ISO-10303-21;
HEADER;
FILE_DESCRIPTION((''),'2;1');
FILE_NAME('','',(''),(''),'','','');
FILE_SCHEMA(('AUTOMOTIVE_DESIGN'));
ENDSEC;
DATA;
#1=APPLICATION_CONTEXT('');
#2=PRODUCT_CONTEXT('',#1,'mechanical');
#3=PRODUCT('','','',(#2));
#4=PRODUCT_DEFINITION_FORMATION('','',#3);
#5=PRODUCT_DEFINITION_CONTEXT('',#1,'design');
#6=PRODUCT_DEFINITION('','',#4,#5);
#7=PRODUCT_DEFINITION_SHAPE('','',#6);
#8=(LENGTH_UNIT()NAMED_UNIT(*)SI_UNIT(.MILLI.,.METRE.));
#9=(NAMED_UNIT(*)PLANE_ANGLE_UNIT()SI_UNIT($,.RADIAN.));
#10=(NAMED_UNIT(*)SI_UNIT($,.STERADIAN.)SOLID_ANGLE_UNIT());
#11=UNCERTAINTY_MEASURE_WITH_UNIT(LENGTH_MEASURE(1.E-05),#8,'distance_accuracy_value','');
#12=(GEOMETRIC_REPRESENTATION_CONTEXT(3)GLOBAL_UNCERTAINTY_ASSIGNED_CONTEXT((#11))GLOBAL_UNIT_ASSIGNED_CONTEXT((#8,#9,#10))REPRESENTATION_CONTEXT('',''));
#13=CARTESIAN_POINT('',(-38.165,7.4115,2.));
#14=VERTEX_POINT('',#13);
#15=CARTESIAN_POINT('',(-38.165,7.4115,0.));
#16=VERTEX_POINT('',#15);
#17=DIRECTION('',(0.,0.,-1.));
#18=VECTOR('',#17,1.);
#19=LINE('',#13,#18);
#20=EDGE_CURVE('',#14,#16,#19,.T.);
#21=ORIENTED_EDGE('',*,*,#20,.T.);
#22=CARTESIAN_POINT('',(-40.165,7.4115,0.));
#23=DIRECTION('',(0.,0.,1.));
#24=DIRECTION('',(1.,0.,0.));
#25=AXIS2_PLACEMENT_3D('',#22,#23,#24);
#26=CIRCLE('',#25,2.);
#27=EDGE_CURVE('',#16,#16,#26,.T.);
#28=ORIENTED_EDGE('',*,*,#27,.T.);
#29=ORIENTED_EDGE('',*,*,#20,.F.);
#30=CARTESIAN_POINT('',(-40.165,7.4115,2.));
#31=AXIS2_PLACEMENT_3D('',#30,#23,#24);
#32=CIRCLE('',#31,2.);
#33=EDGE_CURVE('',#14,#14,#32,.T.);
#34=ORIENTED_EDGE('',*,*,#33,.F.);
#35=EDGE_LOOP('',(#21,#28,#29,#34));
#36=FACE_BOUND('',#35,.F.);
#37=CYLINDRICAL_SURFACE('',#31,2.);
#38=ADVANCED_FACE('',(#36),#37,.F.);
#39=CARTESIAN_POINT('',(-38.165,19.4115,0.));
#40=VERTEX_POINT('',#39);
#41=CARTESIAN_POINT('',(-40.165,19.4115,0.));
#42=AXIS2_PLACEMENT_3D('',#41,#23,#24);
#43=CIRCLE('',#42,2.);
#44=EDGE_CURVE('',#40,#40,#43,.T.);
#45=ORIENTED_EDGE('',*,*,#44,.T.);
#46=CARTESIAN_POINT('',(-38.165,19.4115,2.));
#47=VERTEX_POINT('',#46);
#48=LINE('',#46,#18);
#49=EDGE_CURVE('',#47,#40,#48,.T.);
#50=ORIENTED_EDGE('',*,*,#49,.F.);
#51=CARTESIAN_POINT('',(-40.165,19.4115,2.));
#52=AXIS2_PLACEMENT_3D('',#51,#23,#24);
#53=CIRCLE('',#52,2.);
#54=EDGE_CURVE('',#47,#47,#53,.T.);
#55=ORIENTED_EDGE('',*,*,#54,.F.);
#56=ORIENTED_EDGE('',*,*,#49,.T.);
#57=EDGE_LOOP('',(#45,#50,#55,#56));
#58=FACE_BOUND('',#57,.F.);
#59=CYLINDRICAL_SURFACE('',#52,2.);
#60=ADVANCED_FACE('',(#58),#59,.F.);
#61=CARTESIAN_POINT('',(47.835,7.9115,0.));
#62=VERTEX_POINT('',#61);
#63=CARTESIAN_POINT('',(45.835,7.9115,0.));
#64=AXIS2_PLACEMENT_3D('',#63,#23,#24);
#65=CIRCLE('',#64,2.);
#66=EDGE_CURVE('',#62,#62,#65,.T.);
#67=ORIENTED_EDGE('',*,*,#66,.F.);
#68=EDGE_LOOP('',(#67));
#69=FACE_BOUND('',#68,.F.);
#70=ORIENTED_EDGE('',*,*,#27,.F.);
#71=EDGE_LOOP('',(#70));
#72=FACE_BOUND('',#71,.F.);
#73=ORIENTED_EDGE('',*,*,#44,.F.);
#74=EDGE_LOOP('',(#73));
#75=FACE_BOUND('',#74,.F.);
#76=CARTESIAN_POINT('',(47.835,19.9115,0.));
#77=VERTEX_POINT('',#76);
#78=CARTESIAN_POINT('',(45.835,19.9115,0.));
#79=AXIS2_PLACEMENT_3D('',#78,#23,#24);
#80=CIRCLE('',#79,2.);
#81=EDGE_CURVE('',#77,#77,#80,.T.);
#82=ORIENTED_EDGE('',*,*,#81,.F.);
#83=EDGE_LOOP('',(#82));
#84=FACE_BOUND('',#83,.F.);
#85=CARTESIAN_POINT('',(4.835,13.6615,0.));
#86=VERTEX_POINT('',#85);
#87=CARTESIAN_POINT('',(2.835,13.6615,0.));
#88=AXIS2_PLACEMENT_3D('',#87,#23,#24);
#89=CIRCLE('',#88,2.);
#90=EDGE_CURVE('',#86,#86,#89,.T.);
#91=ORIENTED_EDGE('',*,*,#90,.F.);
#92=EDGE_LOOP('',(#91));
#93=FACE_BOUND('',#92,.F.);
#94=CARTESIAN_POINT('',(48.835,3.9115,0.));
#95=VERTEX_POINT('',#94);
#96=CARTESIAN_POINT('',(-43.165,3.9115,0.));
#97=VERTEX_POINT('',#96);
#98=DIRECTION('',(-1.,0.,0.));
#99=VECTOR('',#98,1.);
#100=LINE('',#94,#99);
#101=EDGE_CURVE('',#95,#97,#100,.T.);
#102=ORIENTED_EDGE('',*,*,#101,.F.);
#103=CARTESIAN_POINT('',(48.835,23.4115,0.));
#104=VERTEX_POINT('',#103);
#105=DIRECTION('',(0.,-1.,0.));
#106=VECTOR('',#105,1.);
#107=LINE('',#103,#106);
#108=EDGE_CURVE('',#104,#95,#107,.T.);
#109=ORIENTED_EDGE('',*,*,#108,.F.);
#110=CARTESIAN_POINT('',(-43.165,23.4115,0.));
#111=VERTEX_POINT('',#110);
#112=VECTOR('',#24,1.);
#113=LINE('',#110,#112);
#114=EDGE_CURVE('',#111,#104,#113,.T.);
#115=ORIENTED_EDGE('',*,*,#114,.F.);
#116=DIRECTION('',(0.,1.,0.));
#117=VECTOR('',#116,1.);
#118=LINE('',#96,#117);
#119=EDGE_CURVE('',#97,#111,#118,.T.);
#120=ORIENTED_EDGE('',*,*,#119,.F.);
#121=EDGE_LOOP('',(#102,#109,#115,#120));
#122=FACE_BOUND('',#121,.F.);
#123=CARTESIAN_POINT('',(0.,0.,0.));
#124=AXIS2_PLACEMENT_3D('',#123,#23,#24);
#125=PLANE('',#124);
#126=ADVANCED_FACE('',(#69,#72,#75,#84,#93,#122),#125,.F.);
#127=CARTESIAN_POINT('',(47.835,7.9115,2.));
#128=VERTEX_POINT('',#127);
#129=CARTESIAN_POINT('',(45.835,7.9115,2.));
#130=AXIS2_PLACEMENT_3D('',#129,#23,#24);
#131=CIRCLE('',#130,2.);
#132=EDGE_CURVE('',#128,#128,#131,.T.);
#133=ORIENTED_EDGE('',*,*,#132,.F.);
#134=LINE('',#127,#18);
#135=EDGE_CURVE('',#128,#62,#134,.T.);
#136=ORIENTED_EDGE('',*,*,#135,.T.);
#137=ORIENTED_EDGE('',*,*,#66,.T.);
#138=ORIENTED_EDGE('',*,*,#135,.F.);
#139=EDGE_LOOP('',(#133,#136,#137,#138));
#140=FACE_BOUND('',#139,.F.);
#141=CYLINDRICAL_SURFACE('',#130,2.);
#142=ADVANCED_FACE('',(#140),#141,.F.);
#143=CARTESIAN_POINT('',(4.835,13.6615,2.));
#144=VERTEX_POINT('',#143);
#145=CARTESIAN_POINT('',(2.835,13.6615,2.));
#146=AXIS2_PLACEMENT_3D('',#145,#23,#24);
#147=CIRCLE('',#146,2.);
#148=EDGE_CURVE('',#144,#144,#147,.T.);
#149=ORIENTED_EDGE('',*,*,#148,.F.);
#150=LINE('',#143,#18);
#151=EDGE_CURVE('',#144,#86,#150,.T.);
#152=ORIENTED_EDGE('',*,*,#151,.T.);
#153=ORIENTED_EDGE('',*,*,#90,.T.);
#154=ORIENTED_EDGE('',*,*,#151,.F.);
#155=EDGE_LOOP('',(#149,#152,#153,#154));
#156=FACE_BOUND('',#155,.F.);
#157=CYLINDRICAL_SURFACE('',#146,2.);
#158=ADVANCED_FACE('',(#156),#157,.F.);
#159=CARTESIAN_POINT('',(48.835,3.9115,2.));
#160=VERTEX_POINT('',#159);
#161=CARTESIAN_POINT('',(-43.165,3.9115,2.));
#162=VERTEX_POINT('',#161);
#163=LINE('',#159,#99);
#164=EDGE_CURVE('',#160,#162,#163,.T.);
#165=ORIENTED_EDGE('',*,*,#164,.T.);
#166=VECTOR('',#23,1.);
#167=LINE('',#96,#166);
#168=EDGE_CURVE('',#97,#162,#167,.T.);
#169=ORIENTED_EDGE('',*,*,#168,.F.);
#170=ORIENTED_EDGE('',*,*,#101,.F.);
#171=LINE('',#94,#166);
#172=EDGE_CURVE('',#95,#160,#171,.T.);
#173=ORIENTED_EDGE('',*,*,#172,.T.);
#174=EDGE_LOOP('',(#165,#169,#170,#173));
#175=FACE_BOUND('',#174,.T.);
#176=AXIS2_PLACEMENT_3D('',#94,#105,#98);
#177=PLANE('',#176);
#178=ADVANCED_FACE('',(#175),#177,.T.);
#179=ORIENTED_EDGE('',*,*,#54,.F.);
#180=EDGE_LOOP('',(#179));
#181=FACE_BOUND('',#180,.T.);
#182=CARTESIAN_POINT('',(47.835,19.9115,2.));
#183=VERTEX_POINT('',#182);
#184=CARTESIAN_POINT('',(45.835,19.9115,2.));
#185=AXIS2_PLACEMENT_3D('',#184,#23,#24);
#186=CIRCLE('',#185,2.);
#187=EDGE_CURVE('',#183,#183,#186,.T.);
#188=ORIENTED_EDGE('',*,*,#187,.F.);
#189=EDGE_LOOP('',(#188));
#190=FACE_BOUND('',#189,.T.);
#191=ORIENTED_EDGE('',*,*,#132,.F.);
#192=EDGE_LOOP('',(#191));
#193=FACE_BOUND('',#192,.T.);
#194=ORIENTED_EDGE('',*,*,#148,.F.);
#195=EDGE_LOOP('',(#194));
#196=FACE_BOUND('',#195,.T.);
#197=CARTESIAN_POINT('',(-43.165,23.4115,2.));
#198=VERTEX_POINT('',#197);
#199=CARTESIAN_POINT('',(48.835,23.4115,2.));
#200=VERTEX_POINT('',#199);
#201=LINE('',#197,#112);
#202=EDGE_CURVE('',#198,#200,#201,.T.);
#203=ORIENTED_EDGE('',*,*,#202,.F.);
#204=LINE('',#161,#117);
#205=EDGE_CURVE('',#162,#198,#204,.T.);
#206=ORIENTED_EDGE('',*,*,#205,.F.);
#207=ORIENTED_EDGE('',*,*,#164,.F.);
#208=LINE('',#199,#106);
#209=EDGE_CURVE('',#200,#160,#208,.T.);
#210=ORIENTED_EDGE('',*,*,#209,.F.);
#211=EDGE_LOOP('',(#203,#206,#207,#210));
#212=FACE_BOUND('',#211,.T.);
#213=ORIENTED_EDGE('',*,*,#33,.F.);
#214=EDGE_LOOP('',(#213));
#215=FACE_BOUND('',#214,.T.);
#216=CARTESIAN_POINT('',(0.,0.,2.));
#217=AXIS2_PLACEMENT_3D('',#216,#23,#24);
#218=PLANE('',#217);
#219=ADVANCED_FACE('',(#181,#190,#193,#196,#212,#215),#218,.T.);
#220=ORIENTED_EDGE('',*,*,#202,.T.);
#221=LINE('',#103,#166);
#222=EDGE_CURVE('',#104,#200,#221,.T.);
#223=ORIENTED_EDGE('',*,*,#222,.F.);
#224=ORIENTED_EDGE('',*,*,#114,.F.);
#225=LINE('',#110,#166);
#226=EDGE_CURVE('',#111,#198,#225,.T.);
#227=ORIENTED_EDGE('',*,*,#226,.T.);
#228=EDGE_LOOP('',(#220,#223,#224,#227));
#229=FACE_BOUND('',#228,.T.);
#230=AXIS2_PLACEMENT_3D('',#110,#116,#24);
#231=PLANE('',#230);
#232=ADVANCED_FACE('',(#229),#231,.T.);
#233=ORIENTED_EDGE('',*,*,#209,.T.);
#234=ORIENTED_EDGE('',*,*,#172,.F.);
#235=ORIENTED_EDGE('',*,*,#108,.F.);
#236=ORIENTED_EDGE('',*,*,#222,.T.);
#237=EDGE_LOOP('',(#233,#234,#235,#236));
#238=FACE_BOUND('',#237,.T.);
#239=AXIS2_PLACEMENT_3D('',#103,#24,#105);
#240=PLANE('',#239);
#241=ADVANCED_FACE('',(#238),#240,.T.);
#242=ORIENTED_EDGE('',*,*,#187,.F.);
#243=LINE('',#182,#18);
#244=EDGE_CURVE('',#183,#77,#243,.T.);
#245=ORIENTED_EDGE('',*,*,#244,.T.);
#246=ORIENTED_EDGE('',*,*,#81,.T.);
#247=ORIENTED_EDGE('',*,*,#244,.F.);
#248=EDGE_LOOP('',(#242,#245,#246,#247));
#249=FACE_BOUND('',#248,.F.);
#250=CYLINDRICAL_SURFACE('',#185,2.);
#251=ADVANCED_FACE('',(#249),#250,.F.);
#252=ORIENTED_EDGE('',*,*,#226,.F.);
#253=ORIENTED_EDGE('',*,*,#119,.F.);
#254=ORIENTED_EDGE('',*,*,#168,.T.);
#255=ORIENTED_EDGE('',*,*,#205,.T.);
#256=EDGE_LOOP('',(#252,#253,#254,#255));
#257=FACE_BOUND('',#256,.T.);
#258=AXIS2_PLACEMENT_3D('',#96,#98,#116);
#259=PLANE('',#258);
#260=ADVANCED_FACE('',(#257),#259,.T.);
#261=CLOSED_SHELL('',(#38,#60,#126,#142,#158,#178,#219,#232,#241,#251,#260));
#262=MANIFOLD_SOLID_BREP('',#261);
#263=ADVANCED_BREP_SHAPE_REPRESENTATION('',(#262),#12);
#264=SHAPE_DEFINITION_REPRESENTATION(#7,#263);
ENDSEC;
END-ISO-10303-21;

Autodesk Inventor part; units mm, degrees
ref_plane "YZ Plane" through (0, 0, 0) normal (1, 0, 0) x (0, 1, 0)
ref_plane "XZ Plane" through (0, 0, 0) normal (0, 1, 0) x (-1, 0, 0)
ref_plane "XY Plane" through (0, 0, 0) normal (0, 0, 1) x (1, 0, 0)
sketch "Эскиз1" plane through (0, 0, 0) normal (0, 0, 1) x (1, 0, 0)
  line L0 (-43.165, 23.4115) -> (48.835, 23.4115)
  line L1 (48.835, 23.4115) -> (48.835, 3.9115)
  line L2 (48.835, 3.9115) -> (-43.165, 3.9115)
  line L3 (-43.165, 3.9115) -> (-43.165, 23.4115)
  point P0 (0, 0)
  dimension "d0" = 92
  dimension "d1" = 19.5
extrude "Выдавливание1" add sketch "Эскиз1" along normal blind 2
sketch "Эскиз2" plane through (0, 0, 2) normal (0, 0, 1) x (1, 0, 0)
  circle A0 centre (-40.165, 7.4115) radius 2
  line L0 (-43.165, 23.4115) -> (-43.165, 3.9115) projected
  line L1 (-43.165, 3.9115) -> (48.835, 3.9115) projected
  circle A1 centre (-40.165, 19.4115) radius 2
  line L2 (48.835, 23.4115) -> (-43.165, 23.4115) projected
  circle A2 centre (45.835, 19.9115) radius 2
  line L3 (48.835, 3.9115) -> (48.835, 23.4115) projected
  circle A3 centre (45.835, 7.9115) radius 2
  circle A4 centre (2.835, 13.6615) radius 2
  point P0 (0, 0)
  dimension "d4" = 1
  dimension "d5" = 4
  dimension "d6" = 1.5
  dimension "d7" = 4
  dimension "d8" = 1
  dimension "d9" = 2
  dimension "d10" = 4
  dimension "d11" = 1
  dimension "d12" = 1.5
  dimension "d13" = 4
  dimension "d14" = 1
  dimension "d15" = 2
  dimension "d16" = 4
  dimension "d17" = 44
  dimension "d19" = 7.75
extrude "Выдавливание2" cut sketch "Эскиз2" against normal through all contours A0 | A1 | A2 | A3 | A4
properties part number "Пластинка шасси"
